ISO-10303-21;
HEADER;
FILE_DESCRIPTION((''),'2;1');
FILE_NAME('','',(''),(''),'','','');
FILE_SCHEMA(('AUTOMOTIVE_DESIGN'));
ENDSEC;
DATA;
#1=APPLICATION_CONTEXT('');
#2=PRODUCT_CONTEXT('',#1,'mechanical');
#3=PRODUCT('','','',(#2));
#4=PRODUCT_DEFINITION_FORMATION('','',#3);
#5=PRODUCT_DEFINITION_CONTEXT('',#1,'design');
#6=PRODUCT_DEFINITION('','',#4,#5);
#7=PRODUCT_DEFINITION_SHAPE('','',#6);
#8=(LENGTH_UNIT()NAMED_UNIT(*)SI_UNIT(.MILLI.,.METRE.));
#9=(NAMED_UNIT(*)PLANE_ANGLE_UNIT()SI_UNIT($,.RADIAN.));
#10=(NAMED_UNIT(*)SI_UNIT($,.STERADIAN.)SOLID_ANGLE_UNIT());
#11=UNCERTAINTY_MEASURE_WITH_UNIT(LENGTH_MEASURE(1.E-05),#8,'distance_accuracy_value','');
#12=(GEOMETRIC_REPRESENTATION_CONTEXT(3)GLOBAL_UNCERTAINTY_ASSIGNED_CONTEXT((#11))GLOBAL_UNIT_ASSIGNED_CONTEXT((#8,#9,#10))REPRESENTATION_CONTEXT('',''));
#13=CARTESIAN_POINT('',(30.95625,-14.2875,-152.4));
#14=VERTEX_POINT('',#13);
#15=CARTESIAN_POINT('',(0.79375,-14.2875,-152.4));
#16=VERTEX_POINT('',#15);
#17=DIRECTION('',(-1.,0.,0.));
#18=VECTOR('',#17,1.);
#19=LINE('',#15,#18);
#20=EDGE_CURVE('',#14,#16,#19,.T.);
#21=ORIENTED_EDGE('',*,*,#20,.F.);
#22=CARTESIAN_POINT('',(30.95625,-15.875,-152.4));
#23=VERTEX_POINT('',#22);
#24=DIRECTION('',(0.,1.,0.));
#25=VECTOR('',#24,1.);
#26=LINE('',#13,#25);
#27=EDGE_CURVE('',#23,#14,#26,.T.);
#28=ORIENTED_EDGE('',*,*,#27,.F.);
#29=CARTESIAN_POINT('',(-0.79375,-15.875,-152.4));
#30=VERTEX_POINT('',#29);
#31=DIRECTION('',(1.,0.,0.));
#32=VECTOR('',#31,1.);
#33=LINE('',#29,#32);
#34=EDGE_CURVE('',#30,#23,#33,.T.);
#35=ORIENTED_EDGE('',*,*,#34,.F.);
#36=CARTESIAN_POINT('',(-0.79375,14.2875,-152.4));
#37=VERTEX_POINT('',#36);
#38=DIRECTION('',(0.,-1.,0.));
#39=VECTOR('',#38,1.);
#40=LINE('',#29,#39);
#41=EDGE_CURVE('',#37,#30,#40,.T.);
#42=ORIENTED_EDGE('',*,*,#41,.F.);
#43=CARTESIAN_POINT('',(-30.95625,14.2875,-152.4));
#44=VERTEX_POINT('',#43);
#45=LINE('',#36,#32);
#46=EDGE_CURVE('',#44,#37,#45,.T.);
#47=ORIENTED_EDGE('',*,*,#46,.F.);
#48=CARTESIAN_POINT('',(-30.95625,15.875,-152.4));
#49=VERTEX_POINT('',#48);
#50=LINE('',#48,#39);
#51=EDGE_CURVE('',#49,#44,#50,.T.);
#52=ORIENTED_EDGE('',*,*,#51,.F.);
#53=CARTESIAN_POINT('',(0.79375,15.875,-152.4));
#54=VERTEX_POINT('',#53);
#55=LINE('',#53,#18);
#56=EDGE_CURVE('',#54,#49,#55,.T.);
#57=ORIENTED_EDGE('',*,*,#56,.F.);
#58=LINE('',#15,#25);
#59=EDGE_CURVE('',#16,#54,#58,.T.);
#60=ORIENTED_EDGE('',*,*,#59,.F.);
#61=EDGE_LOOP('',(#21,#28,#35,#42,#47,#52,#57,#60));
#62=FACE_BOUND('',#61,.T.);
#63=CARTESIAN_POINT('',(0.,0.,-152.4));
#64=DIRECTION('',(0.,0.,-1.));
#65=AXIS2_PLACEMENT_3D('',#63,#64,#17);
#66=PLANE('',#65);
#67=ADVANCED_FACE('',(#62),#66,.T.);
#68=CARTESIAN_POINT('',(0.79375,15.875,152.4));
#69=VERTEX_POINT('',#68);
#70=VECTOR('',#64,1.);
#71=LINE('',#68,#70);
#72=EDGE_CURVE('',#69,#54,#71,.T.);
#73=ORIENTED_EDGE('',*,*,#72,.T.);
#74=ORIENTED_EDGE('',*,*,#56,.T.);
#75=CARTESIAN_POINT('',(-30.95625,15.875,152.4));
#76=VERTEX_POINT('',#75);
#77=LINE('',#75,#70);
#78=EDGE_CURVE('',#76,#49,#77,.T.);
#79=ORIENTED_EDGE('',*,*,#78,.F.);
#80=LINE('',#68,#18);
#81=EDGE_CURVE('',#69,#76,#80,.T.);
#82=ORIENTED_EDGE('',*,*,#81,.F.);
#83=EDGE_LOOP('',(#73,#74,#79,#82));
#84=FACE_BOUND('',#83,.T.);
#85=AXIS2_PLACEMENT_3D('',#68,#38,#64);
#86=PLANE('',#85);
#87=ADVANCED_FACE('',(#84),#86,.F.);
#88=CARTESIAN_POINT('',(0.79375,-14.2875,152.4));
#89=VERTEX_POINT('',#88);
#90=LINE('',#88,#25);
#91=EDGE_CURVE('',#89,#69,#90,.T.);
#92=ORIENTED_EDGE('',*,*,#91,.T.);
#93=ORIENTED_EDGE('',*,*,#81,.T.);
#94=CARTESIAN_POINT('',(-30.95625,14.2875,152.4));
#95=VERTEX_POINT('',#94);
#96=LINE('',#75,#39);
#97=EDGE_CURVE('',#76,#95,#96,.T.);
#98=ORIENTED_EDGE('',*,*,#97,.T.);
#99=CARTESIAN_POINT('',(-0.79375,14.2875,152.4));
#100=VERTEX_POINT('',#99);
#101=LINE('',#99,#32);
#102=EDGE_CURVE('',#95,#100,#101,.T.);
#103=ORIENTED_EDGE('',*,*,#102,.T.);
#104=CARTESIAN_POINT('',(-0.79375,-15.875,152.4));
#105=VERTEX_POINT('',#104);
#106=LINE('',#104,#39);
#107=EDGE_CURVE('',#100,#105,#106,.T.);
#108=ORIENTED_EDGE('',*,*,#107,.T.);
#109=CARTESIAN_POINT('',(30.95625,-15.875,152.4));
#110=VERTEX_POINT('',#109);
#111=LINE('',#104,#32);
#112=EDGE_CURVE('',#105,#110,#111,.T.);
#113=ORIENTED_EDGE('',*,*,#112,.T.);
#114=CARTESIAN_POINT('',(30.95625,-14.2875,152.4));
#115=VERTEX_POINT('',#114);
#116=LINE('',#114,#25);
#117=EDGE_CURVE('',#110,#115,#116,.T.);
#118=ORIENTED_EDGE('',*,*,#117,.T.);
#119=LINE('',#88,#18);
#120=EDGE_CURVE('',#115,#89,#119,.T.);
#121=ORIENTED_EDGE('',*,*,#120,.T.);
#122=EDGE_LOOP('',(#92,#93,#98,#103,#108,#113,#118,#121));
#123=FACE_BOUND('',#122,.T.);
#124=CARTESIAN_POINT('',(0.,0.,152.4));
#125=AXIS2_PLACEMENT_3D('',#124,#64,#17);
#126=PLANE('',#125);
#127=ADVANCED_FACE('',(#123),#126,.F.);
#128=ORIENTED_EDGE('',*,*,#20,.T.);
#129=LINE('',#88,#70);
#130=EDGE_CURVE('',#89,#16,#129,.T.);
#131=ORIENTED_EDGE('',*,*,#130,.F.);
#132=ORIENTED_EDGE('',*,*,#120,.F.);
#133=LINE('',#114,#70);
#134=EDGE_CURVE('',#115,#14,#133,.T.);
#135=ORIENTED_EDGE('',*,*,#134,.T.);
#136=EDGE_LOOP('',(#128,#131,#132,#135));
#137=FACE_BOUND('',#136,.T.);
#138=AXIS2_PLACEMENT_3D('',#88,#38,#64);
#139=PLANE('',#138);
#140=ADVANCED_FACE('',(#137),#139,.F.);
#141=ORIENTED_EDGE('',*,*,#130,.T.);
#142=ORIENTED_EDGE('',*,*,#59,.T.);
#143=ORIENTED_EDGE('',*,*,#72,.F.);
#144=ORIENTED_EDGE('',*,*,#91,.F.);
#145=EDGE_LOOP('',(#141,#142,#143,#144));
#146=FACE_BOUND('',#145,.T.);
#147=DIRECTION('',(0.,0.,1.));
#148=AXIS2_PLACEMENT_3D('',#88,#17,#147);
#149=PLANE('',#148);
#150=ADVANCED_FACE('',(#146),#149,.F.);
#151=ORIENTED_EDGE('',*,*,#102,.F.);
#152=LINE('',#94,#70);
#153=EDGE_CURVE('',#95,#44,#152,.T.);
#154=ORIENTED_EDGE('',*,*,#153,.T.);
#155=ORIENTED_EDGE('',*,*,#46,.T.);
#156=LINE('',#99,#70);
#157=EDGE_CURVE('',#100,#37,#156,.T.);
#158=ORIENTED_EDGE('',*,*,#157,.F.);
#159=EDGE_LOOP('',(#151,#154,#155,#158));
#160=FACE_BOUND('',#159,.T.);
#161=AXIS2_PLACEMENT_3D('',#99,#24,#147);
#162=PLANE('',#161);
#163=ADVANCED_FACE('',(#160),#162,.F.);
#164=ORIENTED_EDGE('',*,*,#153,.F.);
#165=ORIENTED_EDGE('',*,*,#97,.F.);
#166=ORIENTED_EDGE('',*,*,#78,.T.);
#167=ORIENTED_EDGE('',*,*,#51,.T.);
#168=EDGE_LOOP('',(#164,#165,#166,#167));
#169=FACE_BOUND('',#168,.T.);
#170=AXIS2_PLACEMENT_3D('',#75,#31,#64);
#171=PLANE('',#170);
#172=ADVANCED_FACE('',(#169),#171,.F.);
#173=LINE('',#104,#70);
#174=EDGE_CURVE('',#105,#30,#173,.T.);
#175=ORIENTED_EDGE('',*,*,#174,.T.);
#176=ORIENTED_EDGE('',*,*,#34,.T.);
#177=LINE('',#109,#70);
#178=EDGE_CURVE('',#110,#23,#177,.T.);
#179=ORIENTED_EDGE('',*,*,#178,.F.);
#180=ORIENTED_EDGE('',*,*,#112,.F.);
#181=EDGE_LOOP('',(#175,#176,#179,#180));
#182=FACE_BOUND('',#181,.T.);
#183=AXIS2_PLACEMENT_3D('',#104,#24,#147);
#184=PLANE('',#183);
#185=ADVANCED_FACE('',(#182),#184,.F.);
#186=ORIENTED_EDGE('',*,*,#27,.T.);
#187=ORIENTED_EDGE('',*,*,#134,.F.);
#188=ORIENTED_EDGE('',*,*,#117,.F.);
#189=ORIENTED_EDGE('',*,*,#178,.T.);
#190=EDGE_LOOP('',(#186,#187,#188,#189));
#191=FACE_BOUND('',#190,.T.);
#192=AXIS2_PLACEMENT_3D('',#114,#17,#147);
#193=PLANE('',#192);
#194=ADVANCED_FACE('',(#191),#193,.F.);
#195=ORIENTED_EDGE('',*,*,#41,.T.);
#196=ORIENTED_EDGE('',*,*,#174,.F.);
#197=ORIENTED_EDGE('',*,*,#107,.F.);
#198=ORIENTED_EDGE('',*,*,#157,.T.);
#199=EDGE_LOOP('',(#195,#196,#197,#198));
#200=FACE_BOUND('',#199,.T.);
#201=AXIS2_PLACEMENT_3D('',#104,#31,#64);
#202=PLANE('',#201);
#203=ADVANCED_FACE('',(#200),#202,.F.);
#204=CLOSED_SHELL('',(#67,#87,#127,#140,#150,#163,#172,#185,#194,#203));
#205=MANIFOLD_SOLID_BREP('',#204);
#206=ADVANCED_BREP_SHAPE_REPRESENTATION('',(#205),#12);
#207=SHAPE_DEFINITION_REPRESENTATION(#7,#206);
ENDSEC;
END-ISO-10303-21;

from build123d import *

# Parameters (mm, degrees)
BOSS_EXTRUDE1_DEPTH      = 152.4
BOSS_EXTRUDE1_DEPTH_BACK = 152.4


with BuildPart() as part:
    # Sketch3 → Boss-Extrude1 (new, two sides: drawn at the far end of the back side and taken through both)
    with BuildSketch(Plane.XY.offset(-BOSS_EXTRUDE1_DEPTH_BACK)):
        Polygon((30.95625, -14.2875), (30.95625, -15.875), (-0.79375, -15.875), (-0.79375, 14.2875), (-30.95625, 14.2875), (-30.95625, 15.875), (0.79375, 15.875), (0.79375, -14.2875), align=None)
    extrude(amount=BOSS_EXTRUDE1_DEPTH + BOSS_EXTRUDE1_DEPTH_BACK)


solid = part.part
